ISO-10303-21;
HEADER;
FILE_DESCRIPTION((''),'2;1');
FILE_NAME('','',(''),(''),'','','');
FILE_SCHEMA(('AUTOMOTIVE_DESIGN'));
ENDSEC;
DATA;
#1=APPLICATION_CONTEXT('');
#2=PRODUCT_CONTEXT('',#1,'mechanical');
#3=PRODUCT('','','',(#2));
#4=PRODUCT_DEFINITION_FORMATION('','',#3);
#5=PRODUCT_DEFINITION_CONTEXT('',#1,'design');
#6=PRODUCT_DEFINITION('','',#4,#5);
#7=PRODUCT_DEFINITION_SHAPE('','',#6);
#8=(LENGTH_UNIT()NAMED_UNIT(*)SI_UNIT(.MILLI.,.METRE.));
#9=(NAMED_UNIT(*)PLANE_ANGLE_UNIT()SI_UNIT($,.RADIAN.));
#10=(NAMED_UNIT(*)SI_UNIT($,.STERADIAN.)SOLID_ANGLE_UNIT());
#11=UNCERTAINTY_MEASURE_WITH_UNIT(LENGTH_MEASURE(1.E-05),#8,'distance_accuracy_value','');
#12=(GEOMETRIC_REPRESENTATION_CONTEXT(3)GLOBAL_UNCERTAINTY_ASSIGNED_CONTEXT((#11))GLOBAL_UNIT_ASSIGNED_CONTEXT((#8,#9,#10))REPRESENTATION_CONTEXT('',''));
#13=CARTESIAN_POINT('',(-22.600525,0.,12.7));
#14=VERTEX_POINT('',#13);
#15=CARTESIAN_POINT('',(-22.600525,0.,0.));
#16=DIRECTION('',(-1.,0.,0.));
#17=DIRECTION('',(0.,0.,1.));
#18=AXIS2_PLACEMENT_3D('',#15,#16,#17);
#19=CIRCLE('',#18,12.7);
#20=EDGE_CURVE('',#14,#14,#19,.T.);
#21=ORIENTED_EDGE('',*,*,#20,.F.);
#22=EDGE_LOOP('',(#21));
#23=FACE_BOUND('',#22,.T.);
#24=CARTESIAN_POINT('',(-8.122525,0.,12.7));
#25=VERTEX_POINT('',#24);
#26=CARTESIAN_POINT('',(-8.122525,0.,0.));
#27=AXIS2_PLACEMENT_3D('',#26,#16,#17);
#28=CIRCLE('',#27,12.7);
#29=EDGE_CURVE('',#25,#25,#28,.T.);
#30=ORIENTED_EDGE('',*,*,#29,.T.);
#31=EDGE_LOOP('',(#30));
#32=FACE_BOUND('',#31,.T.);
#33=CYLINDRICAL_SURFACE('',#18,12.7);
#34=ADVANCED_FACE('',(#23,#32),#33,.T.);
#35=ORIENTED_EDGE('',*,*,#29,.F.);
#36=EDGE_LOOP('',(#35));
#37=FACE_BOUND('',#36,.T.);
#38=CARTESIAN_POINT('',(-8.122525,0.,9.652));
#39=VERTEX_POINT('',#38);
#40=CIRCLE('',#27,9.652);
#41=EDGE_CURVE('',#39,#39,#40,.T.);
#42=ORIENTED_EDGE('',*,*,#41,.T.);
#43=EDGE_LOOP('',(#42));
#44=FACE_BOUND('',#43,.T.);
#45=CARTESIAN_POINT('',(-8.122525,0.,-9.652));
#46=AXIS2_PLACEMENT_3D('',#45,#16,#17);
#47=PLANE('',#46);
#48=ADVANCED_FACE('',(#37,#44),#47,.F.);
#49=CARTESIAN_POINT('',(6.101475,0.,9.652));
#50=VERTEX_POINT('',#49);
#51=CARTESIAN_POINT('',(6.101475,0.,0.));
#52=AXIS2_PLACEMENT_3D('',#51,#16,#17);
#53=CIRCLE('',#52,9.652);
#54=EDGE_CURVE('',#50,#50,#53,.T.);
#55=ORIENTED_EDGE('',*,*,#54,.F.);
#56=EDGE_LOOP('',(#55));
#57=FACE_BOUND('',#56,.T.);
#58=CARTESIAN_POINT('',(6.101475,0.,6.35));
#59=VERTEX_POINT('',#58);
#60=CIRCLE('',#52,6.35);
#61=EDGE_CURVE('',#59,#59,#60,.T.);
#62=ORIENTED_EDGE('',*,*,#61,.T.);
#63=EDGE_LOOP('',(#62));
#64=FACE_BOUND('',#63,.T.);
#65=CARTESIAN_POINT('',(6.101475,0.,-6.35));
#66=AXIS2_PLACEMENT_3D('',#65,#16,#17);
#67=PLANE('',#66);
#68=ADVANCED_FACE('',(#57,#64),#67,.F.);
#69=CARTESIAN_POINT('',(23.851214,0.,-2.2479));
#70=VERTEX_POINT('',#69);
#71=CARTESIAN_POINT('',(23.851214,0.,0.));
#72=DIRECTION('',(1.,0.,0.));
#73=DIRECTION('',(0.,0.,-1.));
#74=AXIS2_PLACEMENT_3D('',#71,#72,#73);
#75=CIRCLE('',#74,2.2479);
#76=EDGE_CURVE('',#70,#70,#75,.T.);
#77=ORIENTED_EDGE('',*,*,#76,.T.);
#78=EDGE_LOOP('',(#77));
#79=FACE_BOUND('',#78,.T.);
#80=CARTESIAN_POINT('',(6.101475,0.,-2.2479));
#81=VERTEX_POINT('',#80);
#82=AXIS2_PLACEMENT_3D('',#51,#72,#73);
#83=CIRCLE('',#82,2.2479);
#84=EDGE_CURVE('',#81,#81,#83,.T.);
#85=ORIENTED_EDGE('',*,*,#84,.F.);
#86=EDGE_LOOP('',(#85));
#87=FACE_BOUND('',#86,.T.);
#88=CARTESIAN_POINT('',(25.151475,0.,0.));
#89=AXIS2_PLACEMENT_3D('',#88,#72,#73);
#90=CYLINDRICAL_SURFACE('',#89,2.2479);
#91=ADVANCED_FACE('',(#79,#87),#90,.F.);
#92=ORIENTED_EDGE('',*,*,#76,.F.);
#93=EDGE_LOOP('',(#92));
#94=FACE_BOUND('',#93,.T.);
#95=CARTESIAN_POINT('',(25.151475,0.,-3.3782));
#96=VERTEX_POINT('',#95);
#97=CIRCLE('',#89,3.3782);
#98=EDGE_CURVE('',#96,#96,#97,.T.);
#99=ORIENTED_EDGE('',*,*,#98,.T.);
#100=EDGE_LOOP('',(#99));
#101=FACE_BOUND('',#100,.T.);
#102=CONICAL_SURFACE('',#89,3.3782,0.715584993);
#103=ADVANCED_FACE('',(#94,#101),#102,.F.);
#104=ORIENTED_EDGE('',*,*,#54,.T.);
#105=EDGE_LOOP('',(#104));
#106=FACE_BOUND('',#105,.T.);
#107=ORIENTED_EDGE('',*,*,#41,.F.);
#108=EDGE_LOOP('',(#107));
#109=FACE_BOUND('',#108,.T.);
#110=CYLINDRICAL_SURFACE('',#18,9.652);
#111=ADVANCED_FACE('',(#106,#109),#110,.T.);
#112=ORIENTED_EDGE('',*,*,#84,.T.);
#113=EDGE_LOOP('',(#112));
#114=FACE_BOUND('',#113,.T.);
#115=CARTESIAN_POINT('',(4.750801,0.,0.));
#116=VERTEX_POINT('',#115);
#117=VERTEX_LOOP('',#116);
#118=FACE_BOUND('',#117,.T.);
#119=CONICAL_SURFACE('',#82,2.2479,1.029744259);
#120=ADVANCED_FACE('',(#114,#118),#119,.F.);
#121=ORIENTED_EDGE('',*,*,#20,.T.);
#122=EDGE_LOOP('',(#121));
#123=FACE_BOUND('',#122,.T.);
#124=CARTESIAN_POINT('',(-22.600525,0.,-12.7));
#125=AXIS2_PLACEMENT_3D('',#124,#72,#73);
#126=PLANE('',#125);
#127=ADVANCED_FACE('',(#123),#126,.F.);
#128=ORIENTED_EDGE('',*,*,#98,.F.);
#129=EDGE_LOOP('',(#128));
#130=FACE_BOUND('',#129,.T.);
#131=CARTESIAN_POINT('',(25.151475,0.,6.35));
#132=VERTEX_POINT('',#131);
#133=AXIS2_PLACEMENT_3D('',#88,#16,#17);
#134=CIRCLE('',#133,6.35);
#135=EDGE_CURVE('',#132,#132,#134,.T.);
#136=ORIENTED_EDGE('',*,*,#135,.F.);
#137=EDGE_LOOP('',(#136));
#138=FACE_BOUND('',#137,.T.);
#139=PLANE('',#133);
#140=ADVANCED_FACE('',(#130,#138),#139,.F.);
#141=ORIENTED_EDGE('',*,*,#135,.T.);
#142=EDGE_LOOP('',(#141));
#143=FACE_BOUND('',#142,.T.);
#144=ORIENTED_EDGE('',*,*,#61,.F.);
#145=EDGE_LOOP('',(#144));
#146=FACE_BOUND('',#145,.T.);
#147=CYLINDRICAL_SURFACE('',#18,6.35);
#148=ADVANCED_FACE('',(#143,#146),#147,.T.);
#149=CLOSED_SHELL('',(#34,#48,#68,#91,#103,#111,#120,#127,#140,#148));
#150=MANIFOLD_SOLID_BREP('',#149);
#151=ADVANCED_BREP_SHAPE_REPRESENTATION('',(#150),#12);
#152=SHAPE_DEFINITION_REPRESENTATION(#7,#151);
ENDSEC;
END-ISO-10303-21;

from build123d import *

# Parameters (mm, degrees)
F_12_24_TAPPED_HOLE1_D           = 4.4958
F_12_24_TAPPED_HOLE1_DEPTH       = 19.05
F_12_24_TAPPED_HOLE1_CSINK_D     = 6.7564
F_12_24_TAPPED_HOLE1_CSINK_ANGLE = 82
F_12_24_TAPPED_HOLE1_TIP         = 1.350674586


with BuildPart() as part:
    # Sketch3 → Revolve1 (revolve)
    with BuildSketch(Plane(origin=(0, 0, 0), x_dir=(1, 0, 0), z_dir=(0, 1, 0)), mode=Mode.PRIVATE) as revolve1_sk:
        Polygon((-22.600524836, 0), (25.151475164, 0), (25.151475164, 6.35), (6.101475164, 6.35), (6.101475164, 9.652), (-8.122524836, 9.652), (-8.122524836, 12.7), (-22.600524836, 12.7), align=None)
    revolve(revolve1_sk.sketch.rotate(Axis((-22.600524836, 0, 0), (1, 0, 0)), 180), axis=Axis((-22.600524836, 0, 0), (1, 0, 0)))

    # #12-24 Tapped Hole1
    with Locations(Plane(origin=(25.151475164, 0, 0), x_dir=(0, 0, -1), z_dir=(1, 0, 0))):
        with Locations((0, 0)):
            CounterSinkHole(F_12_24_TAPPED_HOLE1_D / 2, F_12_24_TAPPED_HOLE1_CSINK_D / 2, depth=F_12_24_TAPPED_HOLE1_DEPTH, counter_sink_angle=F_12_24_TAPPED_HOLE1_CSINK_ANGLE)
            with Locations((0, 0, -(F_12_24_TAPPED_HOLE1_DEPTH + F_12_24_TAPPED_HOLE1_TIP / 2))):  # 118° drill point
                Cone(0, F_12_24_TAPPED_HOLE1_D / 2, F_12_24_TAPPED_HOLE1_TIP, mode=Mode.SUBTRACT)


solid = part.part
